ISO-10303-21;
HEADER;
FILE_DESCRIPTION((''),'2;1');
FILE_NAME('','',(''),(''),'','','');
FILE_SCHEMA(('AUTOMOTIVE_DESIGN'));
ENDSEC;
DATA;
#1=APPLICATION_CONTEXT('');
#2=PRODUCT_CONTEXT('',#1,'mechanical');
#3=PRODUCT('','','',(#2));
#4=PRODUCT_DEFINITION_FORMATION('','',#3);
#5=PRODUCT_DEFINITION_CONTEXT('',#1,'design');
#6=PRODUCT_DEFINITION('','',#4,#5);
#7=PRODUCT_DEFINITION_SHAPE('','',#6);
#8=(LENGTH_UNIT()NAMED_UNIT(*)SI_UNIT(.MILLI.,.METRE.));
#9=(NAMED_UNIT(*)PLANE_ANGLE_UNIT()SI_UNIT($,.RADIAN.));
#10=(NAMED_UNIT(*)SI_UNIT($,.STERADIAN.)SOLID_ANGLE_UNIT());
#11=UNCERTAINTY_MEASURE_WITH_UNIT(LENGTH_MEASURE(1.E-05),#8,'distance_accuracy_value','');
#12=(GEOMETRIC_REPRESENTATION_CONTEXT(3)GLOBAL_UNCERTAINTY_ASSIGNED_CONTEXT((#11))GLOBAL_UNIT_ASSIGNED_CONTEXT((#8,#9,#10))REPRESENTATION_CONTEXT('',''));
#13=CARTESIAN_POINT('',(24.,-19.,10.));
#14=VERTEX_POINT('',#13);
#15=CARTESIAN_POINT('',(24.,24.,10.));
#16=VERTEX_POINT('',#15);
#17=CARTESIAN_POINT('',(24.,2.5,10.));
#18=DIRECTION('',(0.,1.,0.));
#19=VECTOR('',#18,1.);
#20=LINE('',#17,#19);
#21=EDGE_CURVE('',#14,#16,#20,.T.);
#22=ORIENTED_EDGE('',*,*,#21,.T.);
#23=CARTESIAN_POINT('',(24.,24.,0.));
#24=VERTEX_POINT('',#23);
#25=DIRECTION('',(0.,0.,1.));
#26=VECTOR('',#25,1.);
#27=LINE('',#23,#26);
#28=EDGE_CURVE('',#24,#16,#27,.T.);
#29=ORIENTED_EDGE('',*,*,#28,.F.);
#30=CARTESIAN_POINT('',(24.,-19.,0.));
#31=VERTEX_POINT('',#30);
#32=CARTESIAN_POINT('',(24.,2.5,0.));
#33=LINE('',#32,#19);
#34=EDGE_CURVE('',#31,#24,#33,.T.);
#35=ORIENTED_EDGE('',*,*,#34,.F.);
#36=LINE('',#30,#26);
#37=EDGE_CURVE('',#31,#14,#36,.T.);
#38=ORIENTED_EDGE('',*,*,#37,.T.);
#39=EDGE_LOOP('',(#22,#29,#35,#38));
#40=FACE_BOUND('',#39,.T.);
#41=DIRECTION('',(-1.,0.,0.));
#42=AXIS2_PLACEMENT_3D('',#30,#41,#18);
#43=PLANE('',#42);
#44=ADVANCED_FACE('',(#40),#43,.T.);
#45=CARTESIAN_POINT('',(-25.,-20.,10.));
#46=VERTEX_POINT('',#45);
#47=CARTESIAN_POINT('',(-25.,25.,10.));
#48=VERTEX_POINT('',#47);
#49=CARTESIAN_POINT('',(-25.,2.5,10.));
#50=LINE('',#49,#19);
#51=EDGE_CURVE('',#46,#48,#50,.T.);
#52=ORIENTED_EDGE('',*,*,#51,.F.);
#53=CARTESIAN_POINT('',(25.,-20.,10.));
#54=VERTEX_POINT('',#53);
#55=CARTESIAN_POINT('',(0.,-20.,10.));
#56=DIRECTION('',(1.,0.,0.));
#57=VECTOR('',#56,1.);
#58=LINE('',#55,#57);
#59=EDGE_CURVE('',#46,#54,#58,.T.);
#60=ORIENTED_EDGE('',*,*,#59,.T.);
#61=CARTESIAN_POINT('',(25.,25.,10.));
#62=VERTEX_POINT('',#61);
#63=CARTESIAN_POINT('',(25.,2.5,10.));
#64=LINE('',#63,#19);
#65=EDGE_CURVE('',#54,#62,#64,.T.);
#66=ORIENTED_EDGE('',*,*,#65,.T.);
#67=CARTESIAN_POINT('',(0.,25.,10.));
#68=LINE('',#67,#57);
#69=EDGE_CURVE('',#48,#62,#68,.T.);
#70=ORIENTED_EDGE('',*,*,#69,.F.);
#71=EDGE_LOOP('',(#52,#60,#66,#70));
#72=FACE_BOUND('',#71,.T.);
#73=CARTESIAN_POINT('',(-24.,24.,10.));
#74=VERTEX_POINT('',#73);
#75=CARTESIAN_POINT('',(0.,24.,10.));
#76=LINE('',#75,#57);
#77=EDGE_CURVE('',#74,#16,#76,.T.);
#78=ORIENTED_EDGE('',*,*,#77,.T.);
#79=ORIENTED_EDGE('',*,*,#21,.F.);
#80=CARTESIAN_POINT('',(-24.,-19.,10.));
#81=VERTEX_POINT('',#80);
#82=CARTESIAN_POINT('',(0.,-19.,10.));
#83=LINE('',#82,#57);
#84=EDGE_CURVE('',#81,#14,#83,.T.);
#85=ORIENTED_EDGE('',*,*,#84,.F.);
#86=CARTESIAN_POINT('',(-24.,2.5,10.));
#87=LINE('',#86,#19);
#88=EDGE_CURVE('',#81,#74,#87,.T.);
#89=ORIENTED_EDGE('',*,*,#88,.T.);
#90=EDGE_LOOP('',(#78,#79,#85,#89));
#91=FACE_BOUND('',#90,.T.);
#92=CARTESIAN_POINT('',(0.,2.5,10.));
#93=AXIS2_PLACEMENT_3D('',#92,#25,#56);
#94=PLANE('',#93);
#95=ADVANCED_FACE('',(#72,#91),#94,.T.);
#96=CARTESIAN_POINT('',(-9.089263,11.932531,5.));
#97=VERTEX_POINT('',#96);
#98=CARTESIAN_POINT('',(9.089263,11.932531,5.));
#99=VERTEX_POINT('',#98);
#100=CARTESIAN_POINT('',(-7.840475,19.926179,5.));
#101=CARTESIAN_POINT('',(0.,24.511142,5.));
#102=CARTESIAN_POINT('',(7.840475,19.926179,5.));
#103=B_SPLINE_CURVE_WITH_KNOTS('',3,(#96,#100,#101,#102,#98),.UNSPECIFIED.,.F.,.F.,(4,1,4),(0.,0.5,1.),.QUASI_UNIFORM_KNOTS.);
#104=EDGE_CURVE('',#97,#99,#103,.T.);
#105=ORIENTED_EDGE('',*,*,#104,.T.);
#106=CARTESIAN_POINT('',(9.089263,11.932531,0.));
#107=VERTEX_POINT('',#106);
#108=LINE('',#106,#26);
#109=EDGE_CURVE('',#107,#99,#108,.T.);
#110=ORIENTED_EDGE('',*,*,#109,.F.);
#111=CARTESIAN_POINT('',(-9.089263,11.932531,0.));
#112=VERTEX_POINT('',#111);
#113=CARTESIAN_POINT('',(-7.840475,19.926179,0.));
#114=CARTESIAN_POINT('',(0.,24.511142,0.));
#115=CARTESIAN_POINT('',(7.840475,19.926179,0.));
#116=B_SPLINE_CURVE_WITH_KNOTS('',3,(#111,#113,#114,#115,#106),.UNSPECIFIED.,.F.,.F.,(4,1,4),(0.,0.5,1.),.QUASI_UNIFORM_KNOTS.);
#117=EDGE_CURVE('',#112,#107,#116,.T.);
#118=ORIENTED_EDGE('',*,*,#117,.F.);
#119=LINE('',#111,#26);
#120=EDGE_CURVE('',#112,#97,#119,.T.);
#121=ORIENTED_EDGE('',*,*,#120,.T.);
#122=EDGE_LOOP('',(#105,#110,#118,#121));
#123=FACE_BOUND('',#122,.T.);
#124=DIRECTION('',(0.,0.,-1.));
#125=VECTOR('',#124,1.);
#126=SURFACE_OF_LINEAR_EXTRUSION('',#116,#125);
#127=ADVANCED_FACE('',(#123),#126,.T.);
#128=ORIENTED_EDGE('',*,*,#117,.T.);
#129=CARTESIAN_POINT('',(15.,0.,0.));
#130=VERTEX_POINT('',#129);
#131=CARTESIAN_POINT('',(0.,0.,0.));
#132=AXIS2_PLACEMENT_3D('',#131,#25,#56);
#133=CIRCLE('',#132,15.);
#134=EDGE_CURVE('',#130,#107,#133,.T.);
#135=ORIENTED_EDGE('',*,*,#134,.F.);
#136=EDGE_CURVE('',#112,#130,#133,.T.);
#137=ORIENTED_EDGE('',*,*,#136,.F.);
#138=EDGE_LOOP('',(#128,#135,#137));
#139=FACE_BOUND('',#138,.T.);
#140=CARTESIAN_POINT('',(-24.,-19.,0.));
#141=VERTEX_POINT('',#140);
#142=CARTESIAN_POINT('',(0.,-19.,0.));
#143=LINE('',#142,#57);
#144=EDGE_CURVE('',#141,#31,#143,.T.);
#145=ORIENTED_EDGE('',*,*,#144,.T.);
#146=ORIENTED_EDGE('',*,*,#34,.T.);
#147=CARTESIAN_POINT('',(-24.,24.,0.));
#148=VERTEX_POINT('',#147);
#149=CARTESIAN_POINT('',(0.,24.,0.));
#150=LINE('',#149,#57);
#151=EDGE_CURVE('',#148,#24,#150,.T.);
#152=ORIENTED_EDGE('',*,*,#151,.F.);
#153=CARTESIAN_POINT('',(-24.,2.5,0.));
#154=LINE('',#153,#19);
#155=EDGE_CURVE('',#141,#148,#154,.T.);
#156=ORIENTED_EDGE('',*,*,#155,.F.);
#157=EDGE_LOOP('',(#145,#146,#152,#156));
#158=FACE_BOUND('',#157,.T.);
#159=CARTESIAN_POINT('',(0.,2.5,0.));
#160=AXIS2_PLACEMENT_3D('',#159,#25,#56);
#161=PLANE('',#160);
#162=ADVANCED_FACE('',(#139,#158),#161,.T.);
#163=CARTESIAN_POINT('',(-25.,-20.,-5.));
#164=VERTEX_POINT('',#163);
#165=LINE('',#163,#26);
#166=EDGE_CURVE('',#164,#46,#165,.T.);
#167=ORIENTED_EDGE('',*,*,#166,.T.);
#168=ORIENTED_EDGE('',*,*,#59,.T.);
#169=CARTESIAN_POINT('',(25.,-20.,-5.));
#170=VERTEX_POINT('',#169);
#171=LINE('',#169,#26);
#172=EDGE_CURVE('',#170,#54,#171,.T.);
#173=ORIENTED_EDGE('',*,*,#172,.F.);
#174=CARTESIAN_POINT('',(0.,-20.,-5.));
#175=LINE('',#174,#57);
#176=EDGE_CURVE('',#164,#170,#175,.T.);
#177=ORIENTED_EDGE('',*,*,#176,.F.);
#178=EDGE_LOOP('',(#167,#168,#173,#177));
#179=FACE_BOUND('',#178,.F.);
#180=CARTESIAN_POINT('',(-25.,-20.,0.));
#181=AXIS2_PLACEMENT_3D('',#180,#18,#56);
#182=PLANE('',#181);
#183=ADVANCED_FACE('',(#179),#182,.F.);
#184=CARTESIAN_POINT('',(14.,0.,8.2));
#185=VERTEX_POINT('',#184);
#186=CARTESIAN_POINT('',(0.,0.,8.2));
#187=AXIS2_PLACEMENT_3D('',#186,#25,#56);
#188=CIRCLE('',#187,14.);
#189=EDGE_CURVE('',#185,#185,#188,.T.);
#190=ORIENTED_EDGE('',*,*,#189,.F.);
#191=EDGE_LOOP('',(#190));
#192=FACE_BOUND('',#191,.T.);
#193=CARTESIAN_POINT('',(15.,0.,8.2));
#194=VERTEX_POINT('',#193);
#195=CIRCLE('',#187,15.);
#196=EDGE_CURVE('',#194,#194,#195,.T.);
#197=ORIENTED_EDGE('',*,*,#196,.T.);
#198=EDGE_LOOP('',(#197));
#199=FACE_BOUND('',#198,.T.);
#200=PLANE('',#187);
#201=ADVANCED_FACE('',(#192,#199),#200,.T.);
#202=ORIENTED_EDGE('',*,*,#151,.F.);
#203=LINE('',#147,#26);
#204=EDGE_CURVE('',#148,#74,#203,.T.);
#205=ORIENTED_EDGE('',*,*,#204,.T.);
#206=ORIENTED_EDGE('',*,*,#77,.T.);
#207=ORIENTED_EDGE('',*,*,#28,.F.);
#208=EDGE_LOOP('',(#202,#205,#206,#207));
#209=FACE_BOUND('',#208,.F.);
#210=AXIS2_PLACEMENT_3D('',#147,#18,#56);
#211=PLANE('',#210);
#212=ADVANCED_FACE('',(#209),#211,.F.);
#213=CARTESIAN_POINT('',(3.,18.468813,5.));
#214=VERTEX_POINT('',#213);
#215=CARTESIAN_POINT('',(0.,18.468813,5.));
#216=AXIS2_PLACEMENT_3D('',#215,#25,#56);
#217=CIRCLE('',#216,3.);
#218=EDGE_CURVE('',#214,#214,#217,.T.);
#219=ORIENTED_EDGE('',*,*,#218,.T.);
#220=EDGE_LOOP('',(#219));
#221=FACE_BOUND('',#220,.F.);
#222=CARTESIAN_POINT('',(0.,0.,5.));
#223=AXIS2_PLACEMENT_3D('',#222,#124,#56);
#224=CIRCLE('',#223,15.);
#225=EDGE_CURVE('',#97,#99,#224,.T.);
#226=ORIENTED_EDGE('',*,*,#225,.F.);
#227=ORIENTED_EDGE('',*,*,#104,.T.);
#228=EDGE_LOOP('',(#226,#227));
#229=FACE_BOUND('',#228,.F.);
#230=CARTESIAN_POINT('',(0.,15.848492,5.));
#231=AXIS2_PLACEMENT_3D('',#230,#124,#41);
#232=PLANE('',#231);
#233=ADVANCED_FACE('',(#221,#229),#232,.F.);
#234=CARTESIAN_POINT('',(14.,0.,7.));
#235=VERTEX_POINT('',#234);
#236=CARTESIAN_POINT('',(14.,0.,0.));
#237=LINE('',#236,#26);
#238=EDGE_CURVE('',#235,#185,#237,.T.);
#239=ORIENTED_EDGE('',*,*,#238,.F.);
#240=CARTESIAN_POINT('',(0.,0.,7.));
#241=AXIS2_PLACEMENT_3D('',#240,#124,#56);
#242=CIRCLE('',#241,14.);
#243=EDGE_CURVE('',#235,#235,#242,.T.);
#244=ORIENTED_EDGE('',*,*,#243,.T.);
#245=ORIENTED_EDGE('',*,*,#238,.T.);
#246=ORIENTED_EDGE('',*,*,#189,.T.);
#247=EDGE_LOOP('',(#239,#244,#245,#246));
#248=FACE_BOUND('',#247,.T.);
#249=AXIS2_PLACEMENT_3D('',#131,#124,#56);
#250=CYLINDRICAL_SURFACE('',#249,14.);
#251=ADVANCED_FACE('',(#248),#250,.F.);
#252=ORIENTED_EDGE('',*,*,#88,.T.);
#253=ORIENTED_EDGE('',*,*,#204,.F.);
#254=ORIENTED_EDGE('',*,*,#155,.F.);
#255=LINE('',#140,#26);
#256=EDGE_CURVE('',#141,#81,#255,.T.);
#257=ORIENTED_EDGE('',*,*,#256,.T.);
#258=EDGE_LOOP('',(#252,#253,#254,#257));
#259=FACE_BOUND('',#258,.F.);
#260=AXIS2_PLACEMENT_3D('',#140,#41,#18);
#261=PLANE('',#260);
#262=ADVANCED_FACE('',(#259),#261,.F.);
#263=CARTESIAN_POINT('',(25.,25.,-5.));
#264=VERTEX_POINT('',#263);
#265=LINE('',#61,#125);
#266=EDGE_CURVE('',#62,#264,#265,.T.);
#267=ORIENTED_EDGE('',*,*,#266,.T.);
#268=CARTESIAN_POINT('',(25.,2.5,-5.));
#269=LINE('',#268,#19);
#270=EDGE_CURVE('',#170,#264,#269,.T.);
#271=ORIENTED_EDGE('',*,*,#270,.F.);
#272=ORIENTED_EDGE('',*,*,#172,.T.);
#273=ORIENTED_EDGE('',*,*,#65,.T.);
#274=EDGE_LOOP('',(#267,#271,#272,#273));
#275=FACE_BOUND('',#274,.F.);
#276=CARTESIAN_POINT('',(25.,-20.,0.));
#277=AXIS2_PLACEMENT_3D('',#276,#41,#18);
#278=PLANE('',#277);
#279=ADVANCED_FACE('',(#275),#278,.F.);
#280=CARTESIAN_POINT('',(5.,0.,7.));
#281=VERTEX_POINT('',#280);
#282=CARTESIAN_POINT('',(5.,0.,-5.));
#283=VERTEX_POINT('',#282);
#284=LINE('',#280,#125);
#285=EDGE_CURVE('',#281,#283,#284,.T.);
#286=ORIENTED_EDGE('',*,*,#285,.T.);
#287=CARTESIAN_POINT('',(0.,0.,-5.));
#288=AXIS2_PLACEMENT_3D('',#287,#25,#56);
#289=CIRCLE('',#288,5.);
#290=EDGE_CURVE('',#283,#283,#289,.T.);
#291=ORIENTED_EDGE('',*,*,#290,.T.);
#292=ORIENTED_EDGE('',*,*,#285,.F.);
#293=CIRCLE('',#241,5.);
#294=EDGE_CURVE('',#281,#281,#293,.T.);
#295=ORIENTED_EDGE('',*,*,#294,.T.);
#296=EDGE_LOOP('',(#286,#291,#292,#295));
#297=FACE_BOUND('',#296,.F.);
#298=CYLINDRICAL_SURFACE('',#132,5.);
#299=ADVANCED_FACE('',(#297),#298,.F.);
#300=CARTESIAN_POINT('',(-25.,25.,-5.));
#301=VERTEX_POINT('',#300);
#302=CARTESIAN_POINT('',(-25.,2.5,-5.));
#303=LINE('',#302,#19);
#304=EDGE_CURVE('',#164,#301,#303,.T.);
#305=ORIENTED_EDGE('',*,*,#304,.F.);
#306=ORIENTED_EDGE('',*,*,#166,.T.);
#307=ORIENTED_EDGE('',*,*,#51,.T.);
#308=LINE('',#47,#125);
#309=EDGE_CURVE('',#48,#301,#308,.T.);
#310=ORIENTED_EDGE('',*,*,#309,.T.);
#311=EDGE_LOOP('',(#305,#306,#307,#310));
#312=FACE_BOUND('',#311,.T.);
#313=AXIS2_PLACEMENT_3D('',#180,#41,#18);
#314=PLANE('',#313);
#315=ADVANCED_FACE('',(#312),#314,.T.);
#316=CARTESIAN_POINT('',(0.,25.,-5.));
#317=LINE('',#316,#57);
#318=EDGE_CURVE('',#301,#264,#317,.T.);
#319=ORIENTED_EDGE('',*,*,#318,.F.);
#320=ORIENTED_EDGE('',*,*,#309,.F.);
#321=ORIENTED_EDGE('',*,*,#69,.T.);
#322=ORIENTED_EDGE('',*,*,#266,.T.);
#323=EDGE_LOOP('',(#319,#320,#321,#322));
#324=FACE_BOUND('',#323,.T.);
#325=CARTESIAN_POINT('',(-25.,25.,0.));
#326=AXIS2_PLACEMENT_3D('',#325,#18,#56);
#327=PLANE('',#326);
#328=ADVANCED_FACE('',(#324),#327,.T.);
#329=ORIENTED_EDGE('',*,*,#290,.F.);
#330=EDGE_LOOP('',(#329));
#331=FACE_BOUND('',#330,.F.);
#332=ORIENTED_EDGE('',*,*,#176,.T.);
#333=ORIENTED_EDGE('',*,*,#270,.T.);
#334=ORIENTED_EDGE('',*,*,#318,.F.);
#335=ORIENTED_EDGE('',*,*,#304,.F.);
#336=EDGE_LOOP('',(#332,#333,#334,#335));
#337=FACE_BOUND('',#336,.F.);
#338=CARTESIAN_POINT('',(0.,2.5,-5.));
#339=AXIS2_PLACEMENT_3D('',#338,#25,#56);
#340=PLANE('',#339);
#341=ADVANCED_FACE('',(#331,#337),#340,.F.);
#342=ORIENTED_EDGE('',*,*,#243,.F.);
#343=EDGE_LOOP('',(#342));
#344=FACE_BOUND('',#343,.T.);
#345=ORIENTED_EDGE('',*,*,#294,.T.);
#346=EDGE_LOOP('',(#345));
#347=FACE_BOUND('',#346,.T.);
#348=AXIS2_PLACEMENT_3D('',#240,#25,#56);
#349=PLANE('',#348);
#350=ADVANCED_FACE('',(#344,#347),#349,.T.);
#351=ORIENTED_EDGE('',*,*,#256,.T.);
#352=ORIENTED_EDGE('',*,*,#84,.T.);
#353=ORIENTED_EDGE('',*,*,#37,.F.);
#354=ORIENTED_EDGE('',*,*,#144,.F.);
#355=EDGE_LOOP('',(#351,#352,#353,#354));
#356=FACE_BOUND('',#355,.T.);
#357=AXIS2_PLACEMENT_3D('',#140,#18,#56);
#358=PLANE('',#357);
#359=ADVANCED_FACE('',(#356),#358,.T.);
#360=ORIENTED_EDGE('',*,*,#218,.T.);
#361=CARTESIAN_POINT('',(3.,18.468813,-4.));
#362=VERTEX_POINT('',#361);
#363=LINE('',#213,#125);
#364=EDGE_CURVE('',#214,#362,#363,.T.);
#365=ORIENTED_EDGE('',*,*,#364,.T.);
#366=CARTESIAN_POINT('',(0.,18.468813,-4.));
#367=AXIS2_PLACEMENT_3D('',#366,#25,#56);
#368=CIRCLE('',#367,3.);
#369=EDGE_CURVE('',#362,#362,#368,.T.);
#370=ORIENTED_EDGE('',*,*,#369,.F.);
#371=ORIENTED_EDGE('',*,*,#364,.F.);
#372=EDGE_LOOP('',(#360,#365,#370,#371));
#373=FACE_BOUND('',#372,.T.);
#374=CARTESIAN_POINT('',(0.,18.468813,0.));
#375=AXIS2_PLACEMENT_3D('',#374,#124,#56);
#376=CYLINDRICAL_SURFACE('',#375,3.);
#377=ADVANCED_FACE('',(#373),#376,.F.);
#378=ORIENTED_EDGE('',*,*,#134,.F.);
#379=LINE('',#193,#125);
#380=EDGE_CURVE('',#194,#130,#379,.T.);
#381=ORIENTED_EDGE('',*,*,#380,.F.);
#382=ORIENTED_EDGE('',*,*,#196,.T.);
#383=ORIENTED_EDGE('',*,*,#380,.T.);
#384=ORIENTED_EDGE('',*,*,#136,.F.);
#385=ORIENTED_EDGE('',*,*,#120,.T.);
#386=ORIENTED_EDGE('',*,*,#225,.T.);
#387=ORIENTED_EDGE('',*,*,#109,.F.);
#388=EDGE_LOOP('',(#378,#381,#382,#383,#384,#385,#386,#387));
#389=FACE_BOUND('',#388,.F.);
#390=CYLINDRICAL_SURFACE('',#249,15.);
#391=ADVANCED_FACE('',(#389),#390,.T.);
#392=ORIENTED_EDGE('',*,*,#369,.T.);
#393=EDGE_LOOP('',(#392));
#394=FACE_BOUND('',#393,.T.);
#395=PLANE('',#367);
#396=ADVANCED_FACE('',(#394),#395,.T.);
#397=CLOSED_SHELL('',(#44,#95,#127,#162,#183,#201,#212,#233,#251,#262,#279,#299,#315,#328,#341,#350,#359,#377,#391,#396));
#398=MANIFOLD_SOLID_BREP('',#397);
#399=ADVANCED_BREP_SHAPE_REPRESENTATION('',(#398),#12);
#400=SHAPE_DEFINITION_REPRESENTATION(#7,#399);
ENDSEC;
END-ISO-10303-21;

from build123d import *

# Parameters (mm, degrees)
SKETCH_R          = 15
PAD_DEPTH         = 7
SKETCH001_R       = 3
PAD001_DEPTH      = 5
SKETCH002_R       = 15
SKETCH002_R_2     = 14
PAD002_DEPTH      = 8.2
SKETCH003_W       = 50
SKETCH003_H       = 45
PAD003_DEPTH      = 5
SKETCH004_W       = 50
SKETCH004_H       = 45
SKETCH004_W_2     = 48
SKETCH004_H_2     = 43
PAD004_DEPTH      = 10
SKETCH005_R       = 5
POCKET_DEPTH      = 5.001
POCKET_DEPTH_BACK = -10.001
SKETCH006_R       = 3
POCKET001_DEPTH   = 4


with BuildPart() as part:
    # Sketch → Pad (new body)
    with BuildSketch(Plane.XY):
        Circle(SKETCH_R)
    extrude(amount=PAD_DEPTH)

    # Sketch001 → Pad001 (join)
    with BuildSketch(Plane.XY):
        with BuildLine():
            add(Edge.make_bspline(
                [(-9.089263, 11.932531), (-7.840475, 19.926179), (0, 24.511142), (7.840475, 19.926179), (9.089263, 11.932531)],
                knots=[0, 0, 0, 0, 0.5, 1, 1, 1, 1], degree=3))
            Line((9.089263, 11.932531), (-9.089263, 11.932531))
        make_face()
        with Locations((0, 18.468813)):
            Circle(SKETCH001_R, mode=Mode.SUBTRACT)
    extrude(amount=PAD001_DEPTH)

    # Sketch002 → Pad002 (join)
    with BuildSketch(Plane.XY):
        Circle(SKETCH002_R)
        Circle(SKETCH002_R_2, mode=Mode.SUBTRACT)
    extrude(amount=PAD002_DEPTH)

    # Sketch003 → Pad003 (join)
    with BuildSketch(Plane.XY):
        with Locations((0, 2.5)):
            Rectangle(SKETCH003_W, SKETCH003_H)
    extrude(amount=-PAD003_DEPTH)

    # Sketch004 → Pad004 (join)
    with BuildSketch(Plane.XY):
        with Locations((0, 2.5)):
            Rectangle(SKETCH004_W, SKETCH004_H)
        with Locations((0, 2.5)):
            Rectangle(SKETCH004_W_2, SKETCH004_H_2, mode=Mode.SUBTRACT)
    extrude(amount=PAD004_DEPTH)

    # Sketch005 → Pocket (cut, two sides)
    with BuildSketch(Plane.XY) as pocket_sk:
        Circle(SKETCH005_R)
    extrude(amount=-POCKET_DEPTH, mode=Mode.SUBTRACT)
    extrude(pocket_sk.sketch, amount=-POCKET_DEPTH_BACK, mode=Mode.SUBTRACT)

    # Sketch006 → Pocket001 (cut)
    with BuildSketch(Plane.XY):
        with Locations((0, 18.468813)):
            Circle(SKETCH006_R)
    extrude(amount=-POCKET001_DEPTH, mode=Mode.SUBTRACT)


solid = part.part
